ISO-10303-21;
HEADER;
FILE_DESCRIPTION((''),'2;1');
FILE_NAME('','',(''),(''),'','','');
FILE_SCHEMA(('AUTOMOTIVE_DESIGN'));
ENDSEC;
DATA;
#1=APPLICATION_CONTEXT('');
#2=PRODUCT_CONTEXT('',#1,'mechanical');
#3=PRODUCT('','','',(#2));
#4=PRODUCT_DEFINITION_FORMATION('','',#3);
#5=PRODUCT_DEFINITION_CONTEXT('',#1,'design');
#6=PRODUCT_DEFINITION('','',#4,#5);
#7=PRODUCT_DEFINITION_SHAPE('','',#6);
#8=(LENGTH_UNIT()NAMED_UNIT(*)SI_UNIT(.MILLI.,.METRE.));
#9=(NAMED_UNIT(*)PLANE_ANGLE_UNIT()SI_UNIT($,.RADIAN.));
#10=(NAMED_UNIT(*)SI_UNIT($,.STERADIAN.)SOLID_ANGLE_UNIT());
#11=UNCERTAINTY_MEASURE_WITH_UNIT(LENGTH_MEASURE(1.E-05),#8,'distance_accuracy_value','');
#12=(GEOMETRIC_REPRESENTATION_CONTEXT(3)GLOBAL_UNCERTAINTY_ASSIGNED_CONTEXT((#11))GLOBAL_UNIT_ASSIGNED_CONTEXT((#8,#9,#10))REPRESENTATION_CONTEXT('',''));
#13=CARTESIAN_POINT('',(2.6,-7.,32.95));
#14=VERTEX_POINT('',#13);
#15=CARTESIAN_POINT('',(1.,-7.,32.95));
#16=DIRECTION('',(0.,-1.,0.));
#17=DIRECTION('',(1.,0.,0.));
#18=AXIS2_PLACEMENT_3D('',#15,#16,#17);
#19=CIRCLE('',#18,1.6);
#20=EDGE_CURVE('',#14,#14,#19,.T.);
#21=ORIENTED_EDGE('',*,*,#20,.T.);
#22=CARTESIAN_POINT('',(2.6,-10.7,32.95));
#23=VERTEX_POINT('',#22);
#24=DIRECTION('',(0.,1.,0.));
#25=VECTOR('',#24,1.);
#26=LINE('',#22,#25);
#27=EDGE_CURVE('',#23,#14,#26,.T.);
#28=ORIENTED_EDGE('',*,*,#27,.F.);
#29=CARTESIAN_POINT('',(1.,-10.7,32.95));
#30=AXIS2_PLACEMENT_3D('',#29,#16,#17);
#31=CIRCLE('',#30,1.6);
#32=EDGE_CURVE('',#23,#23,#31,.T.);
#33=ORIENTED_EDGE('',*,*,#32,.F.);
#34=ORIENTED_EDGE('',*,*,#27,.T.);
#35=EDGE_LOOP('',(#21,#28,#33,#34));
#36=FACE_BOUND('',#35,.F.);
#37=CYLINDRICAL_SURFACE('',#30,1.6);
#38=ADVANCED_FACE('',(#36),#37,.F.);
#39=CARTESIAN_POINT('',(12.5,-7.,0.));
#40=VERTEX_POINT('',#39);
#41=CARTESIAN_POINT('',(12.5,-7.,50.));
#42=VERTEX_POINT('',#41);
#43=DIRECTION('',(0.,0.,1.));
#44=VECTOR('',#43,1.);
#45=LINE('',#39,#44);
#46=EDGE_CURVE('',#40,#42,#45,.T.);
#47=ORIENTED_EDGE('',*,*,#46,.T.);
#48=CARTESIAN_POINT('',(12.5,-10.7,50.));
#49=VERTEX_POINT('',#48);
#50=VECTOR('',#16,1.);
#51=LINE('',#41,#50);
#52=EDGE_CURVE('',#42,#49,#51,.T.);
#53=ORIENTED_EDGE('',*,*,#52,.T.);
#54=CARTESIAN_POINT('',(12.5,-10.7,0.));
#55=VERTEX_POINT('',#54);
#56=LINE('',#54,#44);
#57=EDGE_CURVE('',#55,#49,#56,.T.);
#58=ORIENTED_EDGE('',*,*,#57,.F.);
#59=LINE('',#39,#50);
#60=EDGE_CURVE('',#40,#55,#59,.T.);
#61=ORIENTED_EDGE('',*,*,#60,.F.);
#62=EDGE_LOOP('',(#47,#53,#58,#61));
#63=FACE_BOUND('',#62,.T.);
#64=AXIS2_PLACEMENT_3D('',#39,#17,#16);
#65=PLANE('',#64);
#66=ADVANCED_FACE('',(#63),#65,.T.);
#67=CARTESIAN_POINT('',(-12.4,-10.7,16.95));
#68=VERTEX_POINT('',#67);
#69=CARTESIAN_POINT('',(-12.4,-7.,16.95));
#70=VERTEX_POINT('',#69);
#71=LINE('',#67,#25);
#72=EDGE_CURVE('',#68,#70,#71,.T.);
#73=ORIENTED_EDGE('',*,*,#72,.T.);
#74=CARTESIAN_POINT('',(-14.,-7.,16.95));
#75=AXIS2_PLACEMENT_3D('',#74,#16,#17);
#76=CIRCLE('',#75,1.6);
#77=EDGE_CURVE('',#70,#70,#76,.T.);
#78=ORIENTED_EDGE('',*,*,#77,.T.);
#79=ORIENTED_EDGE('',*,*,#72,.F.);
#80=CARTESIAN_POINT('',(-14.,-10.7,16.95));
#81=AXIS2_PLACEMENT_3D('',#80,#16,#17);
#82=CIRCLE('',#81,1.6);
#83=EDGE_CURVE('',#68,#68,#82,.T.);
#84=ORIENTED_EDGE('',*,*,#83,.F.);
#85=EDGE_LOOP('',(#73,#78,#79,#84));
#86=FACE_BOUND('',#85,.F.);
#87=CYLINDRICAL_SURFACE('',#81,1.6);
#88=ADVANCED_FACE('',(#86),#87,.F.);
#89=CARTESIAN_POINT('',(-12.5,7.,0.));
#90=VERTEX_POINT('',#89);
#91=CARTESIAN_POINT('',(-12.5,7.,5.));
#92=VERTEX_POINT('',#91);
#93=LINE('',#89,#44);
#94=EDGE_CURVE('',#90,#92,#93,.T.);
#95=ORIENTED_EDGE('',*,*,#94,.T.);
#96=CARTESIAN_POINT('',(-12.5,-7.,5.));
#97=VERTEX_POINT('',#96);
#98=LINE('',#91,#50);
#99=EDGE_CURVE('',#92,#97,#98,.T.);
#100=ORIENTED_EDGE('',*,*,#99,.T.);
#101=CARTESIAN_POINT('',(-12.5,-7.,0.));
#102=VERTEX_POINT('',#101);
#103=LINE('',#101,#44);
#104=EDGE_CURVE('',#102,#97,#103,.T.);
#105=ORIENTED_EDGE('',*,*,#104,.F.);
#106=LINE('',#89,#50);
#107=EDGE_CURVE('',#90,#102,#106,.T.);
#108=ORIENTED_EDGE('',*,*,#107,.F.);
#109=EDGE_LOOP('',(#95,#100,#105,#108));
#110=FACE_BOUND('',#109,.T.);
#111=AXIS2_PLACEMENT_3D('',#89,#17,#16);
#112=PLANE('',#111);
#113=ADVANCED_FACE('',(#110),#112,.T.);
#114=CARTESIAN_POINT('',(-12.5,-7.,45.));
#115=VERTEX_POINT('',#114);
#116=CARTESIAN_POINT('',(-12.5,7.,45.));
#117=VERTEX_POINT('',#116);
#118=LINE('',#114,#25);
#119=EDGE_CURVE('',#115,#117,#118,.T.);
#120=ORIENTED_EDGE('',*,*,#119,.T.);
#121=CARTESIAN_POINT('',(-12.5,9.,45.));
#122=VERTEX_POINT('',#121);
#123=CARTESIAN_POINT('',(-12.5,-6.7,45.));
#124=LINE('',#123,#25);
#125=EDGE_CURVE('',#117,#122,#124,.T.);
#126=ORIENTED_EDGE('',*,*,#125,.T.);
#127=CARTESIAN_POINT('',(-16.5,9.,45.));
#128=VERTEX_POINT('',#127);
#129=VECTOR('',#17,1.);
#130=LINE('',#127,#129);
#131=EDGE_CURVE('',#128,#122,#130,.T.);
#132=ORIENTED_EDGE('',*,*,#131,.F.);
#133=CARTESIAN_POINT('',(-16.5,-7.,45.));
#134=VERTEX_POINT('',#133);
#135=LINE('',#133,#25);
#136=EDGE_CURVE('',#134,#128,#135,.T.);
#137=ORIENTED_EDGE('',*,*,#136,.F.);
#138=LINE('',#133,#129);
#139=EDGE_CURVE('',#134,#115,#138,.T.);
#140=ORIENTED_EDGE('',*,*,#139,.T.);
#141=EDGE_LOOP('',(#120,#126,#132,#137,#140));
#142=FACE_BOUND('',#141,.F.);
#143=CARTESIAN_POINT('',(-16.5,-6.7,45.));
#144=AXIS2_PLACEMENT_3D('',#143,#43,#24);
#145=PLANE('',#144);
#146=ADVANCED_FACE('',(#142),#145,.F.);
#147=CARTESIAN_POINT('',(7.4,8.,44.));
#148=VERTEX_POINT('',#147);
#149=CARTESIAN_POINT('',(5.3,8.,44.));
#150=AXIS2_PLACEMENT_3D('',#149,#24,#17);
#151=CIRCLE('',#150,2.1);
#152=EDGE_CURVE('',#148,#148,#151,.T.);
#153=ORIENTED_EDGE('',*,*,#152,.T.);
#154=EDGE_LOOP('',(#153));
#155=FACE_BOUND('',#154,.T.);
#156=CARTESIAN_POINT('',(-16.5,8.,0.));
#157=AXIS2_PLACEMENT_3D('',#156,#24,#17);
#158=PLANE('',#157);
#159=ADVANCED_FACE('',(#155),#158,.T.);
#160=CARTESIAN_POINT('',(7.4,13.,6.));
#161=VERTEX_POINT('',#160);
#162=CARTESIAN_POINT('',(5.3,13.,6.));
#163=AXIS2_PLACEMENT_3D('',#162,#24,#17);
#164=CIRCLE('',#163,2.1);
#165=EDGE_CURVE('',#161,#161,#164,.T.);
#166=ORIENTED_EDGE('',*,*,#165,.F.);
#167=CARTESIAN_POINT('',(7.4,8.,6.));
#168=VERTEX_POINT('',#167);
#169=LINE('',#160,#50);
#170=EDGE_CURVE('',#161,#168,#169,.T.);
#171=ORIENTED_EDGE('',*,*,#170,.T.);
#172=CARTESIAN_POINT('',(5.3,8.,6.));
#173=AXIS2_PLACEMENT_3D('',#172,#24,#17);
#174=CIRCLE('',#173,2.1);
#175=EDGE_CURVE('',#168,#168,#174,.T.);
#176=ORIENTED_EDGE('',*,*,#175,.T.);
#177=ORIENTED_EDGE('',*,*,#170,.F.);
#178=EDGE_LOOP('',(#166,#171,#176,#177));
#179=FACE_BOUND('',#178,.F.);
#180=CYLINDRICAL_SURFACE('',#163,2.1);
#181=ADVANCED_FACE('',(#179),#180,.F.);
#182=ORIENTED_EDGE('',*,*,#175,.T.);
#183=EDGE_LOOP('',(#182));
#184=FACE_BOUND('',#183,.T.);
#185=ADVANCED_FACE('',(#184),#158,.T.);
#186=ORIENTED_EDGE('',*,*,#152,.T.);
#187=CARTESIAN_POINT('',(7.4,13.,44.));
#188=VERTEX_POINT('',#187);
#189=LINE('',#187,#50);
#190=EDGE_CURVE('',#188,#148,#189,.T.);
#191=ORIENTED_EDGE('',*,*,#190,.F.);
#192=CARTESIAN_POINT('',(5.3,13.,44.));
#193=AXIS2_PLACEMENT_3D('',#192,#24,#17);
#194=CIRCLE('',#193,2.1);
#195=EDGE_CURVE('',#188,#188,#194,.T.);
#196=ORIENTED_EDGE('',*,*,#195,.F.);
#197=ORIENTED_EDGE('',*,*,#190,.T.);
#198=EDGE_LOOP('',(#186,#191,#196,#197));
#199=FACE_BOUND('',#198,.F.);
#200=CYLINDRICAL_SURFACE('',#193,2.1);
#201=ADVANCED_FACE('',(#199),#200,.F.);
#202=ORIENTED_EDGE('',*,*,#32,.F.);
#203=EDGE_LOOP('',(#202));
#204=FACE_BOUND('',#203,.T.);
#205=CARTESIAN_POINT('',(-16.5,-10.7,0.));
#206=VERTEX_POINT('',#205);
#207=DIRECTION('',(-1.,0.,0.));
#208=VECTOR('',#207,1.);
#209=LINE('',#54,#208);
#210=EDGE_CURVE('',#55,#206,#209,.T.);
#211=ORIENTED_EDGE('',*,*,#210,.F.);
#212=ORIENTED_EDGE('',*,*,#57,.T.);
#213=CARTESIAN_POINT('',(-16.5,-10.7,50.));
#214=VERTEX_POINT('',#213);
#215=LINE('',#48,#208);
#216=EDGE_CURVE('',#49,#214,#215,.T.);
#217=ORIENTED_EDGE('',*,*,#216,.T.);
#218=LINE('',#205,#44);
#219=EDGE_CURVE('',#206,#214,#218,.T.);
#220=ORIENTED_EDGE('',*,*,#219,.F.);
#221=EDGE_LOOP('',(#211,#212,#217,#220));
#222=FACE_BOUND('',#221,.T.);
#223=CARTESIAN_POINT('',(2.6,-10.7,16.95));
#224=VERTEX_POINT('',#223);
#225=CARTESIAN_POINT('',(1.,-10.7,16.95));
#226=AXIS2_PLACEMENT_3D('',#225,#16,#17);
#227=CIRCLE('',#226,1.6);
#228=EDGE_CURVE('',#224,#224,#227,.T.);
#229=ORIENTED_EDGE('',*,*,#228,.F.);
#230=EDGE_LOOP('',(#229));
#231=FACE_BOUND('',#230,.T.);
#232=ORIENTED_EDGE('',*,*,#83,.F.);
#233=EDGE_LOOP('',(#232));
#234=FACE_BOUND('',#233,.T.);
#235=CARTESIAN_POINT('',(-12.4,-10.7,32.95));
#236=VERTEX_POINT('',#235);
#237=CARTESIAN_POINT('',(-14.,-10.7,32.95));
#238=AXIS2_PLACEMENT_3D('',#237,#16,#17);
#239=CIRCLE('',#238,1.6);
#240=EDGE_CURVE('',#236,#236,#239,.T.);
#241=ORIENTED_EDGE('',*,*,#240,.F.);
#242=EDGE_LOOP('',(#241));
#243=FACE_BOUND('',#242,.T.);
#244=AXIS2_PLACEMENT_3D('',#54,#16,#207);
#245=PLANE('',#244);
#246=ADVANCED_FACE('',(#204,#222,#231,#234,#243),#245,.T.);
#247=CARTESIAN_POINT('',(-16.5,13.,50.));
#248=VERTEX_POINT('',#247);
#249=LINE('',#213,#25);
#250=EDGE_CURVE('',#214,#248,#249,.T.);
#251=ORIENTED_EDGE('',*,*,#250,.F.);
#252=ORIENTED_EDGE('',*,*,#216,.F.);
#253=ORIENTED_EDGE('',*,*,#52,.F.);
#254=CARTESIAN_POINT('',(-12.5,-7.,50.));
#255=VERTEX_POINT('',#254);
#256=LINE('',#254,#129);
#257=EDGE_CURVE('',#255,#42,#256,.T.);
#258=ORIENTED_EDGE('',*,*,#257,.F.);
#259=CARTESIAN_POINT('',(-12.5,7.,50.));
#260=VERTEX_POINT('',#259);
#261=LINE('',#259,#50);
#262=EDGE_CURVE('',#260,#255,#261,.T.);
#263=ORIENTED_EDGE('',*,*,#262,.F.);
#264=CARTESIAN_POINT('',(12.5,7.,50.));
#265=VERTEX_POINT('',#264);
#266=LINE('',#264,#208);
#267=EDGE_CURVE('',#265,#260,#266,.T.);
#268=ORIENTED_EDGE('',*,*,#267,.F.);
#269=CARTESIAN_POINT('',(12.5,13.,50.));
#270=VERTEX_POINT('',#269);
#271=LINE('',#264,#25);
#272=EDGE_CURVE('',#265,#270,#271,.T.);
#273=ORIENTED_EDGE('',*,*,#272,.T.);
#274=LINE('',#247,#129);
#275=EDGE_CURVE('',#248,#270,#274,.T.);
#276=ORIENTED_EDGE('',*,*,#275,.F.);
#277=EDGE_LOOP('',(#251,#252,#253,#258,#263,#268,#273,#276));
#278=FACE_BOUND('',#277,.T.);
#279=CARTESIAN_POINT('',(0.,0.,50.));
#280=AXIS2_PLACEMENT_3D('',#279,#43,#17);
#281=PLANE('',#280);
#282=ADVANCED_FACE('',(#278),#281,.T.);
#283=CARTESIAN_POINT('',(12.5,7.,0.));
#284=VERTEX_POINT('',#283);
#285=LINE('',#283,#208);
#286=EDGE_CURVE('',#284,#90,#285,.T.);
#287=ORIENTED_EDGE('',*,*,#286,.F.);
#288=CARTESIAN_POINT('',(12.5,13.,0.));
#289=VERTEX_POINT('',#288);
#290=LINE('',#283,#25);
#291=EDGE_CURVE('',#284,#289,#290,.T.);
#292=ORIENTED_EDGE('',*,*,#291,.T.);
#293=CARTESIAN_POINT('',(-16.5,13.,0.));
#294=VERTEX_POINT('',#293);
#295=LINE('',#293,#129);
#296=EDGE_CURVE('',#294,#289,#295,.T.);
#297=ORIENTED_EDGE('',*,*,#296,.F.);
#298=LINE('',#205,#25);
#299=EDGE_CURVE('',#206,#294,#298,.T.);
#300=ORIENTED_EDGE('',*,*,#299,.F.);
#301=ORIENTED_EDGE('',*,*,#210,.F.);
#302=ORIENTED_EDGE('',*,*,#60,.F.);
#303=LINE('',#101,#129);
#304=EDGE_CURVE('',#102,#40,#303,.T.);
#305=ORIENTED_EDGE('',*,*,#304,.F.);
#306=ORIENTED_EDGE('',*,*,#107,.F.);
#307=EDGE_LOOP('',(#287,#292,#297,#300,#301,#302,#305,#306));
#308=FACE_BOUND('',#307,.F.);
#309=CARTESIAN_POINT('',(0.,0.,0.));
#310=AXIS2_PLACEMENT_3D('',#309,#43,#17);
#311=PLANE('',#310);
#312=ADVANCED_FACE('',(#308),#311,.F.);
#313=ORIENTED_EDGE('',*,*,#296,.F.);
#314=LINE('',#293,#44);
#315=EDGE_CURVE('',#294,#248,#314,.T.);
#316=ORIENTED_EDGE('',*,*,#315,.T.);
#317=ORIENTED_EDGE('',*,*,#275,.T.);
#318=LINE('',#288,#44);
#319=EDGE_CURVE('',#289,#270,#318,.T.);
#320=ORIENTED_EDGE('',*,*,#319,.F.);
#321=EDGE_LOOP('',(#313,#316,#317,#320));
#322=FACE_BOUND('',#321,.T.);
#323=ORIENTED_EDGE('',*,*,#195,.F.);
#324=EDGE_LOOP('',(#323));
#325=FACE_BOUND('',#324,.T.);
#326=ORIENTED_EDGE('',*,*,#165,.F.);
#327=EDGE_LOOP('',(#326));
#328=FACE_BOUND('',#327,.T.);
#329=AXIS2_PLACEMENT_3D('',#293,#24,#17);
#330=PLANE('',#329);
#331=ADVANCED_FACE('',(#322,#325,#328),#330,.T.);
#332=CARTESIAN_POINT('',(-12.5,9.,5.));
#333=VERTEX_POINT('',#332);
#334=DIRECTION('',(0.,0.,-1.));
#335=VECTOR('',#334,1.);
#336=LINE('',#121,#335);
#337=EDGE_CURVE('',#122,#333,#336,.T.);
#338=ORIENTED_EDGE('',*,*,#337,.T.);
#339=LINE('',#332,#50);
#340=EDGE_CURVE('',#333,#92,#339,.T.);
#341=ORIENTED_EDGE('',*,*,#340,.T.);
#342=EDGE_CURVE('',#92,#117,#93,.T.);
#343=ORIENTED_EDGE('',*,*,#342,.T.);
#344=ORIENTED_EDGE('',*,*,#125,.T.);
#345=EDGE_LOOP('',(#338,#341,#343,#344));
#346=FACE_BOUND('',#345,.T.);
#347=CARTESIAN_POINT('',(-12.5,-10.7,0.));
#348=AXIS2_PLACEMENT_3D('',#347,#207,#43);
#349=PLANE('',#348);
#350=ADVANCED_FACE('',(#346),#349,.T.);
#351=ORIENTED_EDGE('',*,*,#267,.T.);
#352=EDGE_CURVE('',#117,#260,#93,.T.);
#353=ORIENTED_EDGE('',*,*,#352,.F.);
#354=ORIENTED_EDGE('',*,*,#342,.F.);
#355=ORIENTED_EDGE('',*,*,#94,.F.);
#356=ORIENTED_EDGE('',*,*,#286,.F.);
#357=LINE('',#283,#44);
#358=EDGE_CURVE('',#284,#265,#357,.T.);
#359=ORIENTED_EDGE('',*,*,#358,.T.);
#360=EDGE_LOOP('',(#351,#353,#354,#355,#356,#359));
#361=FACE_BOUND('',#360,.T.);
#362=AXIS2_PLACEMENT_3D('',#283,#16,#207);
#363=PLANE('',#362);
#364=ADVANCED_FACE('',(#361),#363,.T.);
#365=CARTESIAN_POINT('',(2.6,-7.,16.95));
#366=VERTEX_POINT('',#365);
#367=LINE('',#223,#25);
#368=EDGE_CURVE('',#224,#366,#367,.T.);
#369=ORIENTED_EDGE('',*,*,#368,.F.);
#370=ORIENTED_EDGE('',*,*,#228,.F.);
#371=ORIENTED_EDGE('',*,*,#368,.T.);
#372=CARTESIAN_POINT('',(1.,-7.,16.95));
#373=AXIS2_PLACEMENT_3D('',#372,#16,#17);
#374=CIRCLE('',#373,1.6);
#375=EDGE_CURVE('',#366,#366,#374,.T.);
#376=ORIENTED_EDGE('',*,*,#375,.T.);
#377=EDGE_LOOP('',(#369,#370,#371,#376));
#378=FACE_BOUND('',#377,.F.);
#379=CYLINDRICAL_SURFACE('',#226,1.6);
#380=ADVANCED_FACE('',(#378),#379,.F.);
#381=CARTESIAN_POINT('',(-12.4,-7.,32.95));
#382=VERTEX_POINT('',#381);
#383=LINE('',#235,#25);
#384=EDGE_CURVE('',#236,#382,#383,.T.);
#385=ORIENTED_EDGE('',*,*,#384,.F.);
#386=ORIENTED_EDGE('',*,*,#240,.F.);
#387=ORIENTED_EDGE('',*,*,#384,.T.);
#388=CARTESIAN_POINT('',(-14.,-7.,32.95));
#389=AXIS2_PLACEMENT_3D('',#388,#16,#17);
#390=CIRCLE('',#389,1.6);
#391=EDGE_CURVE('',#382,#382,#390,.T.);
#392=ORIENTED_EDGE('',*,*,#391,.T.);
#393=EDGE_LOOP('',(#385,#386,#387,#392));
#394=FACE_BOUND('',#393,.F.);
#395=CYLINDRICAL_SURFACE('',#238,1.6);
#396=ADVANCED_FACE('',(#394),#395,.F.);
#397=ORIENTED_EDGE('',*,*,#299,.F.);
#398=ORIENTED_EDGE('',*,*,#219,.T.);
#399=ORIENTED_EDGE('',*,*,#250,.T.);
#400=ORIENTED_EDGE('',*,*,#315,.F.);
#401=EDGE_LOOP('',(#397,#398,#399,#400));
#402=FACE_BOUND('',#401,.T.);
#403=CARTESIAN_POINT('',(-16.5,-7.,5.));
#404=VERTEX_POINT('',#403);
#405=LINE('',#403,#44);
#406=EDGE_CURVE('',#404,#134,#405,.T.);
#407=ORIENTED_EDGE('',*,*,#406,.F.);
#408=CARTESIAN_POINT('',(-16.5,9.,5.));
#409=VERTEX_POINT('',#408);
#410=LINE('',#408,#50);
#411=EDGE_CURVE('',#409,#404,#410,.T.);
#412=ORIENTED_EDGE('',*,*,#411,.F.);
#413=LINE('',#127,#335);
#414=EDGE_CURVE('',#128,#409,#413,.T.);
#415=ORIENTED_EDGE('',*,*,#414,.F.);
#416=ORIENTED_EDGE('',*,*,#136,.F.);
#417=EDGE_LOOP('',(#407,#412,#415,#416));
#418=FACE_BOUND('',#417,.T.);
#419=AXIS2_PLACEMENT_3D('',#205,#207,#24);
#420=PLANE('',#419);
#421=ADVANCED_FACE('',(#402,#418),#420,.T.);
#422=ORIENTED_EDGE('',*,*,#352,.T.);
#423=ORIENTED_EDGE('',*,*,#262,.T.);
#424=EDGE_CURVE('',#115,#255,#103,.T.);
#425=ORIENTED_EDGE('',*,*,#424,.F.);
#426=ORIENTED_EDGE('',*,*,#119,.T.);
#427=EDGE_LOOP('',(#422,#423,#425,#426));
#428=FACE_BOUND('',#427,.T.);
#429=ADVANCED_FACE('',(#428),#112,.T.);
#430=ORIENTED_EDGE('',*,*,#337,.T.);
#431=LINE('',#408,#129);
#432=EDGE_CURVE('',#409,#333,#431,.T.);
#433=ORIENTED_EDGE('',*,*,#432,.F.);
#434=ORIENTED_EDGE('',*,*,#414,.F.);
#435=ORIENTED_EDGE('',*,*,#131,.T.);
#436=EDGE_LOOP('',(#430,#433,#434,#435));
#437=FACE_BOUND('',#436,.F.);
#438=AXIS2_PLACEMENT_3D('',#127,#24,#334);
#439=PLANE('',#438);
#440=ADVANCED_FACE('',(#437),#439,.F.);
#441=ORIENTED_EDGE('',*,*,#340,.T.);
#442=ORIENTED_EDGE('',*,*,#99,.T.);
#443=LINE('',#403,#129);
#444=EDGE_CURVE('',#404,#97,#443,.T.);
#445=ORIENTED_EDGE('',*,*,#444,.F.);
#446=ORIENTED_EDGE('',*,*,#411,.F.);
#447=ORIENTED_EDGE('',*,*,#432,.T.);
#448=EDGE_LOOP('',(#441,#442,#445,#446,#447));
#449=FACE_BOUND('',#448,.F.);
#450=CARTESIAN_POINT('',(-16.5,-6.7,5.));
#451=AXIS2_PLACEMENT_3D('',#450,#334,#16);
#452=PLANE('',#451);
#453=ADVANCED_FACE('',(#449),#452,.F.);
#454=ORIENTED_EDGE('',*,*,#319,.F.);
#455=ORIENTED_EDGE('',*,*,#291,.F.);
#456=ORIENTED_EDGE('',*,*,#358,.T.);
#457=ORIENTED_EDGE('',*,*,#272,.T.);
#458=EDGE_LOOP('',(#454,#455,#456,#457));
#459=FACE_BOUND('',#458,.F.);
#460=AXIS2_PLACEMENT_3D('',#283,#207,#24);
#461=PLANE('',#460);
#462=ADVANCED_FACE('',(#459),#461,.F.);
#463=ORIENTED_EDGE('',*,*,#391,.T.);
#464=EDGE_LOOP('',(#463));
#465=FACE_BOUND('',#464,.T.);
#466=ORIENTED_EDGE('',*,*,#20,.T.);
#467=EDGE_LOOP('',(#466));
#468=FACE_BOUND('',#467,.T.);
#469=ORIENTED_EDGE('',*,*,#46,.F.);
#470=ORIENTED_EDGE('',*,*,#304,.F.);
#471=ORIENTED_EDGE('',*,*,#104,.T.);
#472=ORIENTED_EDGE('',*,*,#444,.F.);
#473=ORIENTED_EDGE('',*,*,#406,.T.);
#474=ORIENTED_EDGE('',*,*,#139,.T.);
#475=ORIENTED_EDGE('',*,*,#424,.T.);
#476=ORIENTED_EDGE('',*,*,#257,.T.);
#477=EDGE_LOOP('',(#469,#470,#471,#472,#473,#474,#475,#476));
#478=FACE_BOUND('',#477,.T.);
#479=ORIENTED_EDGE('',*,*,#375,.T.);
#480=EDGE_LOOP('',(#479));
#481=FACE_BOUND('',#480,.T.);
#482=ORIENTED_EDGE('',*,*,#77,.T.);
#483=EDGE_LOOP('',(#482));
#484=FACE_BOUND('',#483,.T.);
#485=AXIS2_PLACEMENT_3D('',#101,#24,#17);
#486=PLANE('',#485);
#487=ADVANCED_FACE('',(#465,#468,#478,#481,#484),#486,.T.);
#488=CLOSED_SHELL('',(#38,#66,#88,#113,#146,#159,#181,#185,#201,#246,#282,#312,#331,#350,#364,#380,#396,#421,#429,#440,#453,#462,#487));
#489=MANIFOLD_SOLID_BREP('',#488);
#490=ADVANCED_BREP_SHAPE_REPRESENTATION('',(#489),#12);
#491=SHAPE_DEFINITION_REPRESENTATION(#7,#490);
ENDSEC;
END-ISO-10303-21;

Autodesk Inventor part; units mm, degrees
ref_plane "YZ Plane" through (0, 0, 0) normal (1, 0, 0) x (0, 1, 0)
ref_plane "XZ Plane" through (0, 0, 0) normal (0, 1, 0) x (-1, 0, 0)
ref_plane "XY Plane" through (0, 0, 0) normal (0, 0, 1) x (1, 0, 0)
sketch "Эскиз1" plane through (0, 0, 0) normal (0, 0, 1) x (1, 0, 0)
  line L0 (12.5, 7) -> (-12.5, 7)
  line L1 (-12.5, 7) -> (-12.5, -7)
  line L2 (-12.5, -7) -> (12.5, -7)
  line L3 (12.5, -7) -> (12.5, 7)
  line L4 (12.5, 7) -> (-12.5, -7) construction
  line L5 (-12.5, 7) -> (12.5, -7) construction
  line L6 (-16.5, 13) -> (12.5, 13)
  line L7 (11.5, 13) -> (11.5, -10.7) construction
  line L8 (11.5, -10.7) -> (12.5, -10.7) construction
  line L9 (-16.5, -10.7) -> (-16.5, 13)
  line L10 (12.5, -7) -> (12.5, -10.7)
  line L11 (12.5, 7) -> (12.5, 13)
  line L12 (12.5, 13) -> (11.5, 13) construction
  line L13 (12.5, -10.7) -> (-16.5, -10.7)
  point P0 (0, 0)
  dimension "d0" = 25
  dimension "d1" = 14
  dimension "d2" = 6
  dimension "d11" = 3.7
extrude "Выдавливание1" add sketch "Эскиз1" along normal blind 50 contours L0 L1 L2 L10 L13 L9 L6 L11
sketch "Эскиз2" plane through (-16.5, -10.7, 0) normal (-1, 0, 0) x (0, 0, 1)
  line L0 (0, 23.7) -> (0, 0) construction
  line L1 (0, 0) -> (50, 0) construction
  line L2 (50, 23.7) -> (50, 0) construction
  line L3 (0, 23.7) -> (50, 23.7) construction
  line L4 (45, 19.7) -> (5, 19.7)
  line L5 (5, 19.7) -> (5, 4)
  line L6 (45, 4) -> (45, 19.7)
  line L7 (45, 19.7) -> (5, 4) construction
  line L8 (5, 19.7) -> (45, 4) construction
  line L9 (0, 23.7) -> (50, 23.7) projected
  line L10 (50, 0) -> (50, 3.7) projected
  line L11 (0, 23.7) -> (50, 0) construction
  line L12 (5, 3.7) -> (45, 3.7)
  line L13 (5, 4) -> (5, 3.7)
  line L14 (0, 3.7) -> (50, 3.7) projected
  line L15 (45, 4) -> (45, 3.7)
  point P0 (0, 10.7)
  point P1 (25, 11.85)
  dimension "d5" = 40
  dimension "d6" = 4
  dimension "d12" = 3.7
extrude "Выдавливание2" cut sketch "Эскиз2" against normal blind 4
sketch "Эскиз4" plane through (-16.5, -10.7, 0) normal (0, -1, 0) x (1, 0, 0)
  circle A0 centre (2.5, 32.95) radius 1.5 construction
  circle A1 centre (2.5, 16.95) radius 1.5 construction
  circle A2 centre (17.5, 32.95) radius 1.5 construction
  circle A3 centre (2.5, 16.95) radius 1.5 construction
  circle A4 centre (17.5, 16.95) radius 1.5 construction
  circle A5 centre (2.5, 32.95) radius 1.6
  circle A6 centre (17.5, 32.95) radius 1.6
  circle A7 centre (17.5, 16.95) radius 1.6
  circle A8 centre (2.5, 16.95) radius 1.6
  dimension "d19" = 3.2
  dimension "d20" = 3.2
  dimension "d21" = 3.2
  dimension "d22" = 3.2
extrude "Выдавливание3" cut sketch "Эскиз4" against normal blind 4
sketch "Эскиз6" plane through (-16.5, 13, 0) normal (0, 1, 0) x (1, 0, 0)
  circle A0 centre (9.8, -9.6796) radius 6 construction
  line L0 (15.8, -9.6796) -> (15.8, -27.7296) construction
  circle A1 centre (21.8, -6) radius 6 construction
  circle A2 centre (21.8, -6) radius 2.1
  line L1 (29, -25) -> (0, -25) construction
  circle A3 centre (21.8, -44) radius 2.1
  dimension "d13" = 12
  dimension "d14" = 12
  dimension "d15" = 4.2
extrude "Выдавливание4" cut sketch "Эскиз6" against normal blind 5
properties part number "креп_центр_ролик"
